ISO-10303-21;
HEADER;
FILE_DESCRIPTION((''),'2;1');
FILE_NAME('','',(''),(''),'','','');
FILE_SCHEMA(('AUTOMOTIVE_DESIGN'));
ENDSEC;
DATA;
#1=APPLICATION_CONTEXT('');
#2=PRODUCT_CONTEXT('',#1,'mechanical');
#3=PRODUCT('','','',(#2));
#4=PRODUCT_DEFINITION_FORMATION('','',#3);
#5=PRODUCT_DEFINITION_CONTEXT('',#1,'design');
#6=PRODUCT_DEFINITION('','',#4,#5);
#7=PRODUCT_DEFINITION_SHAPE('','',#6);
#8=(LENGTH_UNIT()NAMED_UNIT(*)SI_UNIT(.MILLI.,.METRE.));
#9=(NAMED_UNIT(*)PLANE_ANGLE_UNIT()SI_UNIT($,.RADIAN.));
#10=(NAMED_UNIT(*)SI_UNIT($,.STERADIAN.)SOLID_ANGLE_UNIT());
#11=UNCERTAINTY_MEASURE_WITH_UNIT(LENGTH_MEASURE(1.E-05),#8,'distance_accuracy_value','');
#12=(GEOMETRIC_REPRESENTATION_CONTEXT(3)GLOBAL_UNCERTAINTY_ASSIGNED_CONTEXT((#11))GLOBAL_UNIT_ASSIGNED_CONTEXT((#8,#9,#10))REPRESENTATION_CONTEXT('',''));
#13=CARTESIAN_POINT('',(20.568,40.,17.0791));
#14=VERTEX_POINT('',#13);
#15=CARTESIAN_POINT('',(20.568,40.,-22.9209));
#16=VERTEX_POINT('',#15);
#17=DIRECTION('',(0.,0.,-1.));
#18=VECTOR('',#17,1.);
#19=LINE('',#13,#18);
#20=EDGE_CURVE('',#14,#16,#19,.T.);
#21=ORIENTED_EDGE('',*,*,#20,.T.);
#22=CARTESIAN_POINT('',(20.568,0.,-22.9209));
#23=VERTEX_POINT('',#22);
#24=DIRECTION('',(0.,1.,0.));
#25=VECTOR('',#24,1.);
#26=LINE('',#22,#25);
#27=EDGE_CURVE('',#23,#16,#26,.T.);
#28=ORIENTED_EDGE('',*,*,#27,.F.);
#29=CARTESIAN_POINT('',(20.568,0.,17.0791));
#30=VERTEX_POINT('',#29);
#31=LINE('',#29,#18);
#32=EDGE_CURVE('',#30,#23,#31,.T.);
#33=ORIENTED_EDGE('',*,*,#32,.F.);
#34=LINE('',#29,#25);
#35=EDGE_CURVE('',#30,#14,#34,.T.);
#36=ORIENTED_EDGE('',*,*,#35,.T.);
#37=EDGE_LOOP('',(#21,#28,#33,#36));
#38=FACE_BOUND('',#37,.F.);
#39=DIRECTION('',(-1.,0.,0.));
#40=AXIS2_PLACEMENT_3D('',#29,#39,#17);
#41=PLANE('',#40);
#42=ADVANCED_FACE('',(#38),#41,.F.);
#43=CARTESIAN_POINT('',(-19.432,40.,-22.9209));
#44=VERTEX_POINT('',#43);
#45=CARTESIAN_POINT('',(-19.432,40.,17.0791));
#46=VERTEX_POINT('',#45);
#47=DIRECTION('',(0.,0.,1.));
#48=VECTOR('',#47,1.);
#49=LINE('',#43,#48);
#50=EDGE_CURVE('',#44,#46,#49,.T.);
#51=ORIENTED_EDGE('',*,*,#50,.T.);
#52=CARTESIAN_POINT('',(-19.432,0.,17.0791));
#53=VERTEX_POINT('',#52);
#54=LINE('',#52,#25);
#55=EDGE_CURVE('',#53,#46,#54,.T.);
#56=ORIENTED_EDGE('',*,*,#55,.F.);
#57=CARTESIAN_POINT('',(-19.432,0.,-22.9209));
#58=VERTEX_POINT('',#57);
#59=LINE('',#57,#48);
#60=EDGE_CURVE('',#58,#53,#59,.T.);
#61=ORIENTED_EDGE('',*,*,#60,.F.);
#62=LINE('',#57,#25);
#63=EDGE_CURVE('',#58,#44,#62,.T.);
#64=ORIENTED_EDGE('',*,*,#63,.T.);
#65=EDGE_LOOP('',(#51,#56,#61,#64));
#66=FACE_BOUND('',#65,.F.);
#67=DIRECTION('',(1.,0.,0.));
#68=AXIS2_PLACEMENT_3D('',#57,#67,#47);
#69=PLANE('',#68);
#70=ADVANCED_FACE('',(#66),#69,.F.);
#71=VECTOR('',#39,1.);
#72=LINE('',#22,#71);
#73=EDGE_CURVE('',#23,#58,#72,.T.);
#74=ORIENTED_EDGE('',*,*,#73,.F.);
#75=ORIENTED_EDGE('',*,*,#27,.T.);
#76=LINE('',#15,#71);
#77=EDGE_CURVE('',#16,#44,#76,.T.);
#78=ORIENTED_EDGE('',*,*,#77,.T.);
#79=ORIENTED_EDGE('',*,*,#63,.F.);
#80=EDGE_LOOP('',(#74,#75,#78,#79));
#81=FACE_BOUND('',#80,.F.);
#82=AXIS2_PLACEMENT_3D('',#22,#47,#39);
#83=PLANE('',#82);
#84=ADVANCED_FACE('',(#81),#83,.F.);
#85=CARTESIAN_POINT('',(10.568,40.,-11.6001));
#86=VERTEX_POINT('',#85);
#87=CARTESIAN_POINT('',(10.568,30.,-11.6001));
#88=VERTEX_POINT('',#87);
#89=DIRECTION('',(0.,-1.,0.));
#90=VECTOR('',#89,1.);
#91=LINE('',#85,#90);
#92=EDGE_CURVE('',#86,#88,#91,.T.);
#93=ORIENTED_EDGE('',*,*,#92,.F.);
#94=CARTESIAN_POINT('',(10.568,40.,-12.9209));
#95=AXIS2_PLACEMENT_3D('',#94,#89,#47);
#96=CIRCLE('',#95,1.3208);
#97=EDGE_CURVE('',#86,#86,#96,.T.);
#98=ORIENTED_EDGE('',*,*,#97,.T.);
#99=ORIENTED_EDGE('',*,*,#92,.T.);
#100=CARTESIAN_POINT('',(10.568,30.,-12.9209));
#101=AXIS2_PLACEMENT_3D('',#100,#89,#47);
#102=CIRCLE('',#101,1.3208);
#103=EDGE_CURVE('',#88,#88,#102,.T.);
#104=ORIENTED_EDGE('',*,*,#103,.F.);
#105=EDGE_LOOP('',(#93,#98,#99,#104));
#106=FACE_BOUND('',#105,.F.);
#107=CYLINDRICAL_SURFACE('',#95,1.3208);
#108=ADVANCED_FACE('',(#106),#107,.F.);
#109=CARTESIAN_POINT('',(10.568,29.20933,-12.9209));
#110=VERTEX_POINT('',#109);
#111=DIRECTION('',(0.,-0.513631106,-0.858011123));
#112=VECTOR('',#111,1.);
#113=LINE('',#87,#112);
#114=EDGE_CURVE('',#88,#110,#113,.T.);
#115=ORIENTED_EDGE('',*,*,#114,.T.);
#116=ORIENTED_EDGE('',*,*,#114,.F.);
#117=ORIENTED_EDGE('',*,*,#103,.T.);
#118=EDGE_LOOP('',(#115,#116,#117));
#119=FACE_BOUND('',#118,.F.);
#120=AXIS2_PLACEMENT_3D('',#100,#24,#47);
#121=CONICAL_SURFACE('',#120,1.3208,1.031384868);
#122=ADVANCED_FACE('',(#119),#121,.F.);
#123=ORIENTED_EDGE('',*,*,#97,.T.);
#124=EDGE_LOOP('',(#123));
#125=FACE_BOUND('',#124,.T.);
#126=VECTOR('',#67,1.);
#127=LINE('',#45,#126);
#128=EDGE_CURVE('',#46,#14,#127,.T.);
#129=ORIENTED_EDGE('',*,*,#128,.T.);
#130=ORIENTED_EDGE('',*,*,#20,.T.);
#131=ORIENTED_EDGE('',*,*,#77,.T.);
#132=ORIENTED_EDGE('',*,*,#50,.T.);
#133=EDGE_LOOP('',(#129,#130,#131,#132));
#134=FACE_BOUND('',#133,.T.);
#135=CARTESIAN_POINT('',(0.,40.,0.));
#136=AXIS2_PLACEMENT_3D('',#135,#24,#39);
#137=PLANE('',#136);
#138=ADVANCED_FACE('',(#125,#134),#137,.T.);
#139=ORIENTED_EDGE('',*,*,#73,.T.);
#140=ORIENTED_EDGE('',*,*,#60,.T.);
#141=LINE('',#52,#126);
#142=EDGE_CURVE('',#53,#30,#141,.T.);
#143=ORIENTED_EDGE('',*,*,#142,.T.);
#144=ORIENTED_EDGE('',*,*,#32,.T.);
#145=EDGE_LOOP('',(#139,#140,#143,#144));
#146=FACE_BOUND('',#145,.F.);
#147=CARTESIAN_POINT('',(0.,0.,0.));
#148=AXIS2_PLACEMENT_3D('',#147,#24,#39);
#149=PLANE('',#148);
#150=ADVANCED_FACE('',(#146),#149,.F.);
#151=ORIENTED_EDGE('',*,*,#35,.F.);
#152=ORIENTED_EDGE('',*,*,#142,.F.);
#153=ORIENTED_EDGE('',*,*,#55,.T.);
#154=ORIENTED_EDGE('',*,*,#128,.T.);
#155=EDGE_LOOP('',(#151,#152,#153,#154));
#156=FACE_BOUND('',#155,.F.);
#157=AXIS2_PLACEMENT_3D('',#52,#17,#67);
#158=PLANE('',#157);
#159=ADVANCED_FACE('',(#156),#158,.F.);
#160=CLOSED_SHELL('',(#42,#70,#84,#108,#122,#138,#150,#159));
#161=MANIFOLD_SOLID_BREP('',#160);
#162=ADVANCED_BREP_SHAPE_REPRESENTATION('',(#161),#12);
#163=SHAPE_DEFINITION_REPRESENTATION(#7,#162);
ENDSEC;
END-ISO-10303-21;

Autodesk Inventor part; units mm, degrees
ref_plane "YZ Plane" through (0, 0, 0) normal (1, 0, 0) x (0, 1, 0)
ref_plane "XZ Plane" through (0, 0, 0) normal (0, 1, 0) x (-1, 0, 0)
ref_plane "XY Plane" through (0, 0, 0) normal (0, 0, 1) x (1, 0, 0)
sketch "Sketch1" plane through (0, 0, 0) normal (0, 1, 0) x (-1, 0, 0)
  line L0 (19.432, 17.0791) -> (-20.568, 17.0791)
  line L1 (-20.568, 17.0791) -> (-20.568, -22.9209)
  line L2 (-20.568, -22.9209) -> (19.432, -22.9209)
  line L3 (19.432, -22.9209) -> (19.432, 17.0791)
  point P0 (0, 0)
  dimension "d0" = 40
  dimension "d1" = 40
extrude "Extrusion1" add sketch "Sketch1" along normal blind 40
sketch "Sketch2" plane through (0, 40, 0) normal (0, 1, 0) x (1, 0, 0)
  line L0 (20.568, 22.9209) -> (-19.432, 22.9209) projected
  line L1 (20.568, -17.0791) -> (20.568, 22.9209) projected
  point P0 (0, 0)
  point P1 (10.568, 12.9209)
  dimension "d4" = 10
  dimension "d5" = 10
hole "Hole1" at (10.568, 40, -12.9209) direction (0, -1, 0) diameter 2.6416 depth 10 tip angle 118.188 thread size "6-32 UNC" class "2B" standard "ANSI Unified Screw Threads"
properties part number "CalibCube"
